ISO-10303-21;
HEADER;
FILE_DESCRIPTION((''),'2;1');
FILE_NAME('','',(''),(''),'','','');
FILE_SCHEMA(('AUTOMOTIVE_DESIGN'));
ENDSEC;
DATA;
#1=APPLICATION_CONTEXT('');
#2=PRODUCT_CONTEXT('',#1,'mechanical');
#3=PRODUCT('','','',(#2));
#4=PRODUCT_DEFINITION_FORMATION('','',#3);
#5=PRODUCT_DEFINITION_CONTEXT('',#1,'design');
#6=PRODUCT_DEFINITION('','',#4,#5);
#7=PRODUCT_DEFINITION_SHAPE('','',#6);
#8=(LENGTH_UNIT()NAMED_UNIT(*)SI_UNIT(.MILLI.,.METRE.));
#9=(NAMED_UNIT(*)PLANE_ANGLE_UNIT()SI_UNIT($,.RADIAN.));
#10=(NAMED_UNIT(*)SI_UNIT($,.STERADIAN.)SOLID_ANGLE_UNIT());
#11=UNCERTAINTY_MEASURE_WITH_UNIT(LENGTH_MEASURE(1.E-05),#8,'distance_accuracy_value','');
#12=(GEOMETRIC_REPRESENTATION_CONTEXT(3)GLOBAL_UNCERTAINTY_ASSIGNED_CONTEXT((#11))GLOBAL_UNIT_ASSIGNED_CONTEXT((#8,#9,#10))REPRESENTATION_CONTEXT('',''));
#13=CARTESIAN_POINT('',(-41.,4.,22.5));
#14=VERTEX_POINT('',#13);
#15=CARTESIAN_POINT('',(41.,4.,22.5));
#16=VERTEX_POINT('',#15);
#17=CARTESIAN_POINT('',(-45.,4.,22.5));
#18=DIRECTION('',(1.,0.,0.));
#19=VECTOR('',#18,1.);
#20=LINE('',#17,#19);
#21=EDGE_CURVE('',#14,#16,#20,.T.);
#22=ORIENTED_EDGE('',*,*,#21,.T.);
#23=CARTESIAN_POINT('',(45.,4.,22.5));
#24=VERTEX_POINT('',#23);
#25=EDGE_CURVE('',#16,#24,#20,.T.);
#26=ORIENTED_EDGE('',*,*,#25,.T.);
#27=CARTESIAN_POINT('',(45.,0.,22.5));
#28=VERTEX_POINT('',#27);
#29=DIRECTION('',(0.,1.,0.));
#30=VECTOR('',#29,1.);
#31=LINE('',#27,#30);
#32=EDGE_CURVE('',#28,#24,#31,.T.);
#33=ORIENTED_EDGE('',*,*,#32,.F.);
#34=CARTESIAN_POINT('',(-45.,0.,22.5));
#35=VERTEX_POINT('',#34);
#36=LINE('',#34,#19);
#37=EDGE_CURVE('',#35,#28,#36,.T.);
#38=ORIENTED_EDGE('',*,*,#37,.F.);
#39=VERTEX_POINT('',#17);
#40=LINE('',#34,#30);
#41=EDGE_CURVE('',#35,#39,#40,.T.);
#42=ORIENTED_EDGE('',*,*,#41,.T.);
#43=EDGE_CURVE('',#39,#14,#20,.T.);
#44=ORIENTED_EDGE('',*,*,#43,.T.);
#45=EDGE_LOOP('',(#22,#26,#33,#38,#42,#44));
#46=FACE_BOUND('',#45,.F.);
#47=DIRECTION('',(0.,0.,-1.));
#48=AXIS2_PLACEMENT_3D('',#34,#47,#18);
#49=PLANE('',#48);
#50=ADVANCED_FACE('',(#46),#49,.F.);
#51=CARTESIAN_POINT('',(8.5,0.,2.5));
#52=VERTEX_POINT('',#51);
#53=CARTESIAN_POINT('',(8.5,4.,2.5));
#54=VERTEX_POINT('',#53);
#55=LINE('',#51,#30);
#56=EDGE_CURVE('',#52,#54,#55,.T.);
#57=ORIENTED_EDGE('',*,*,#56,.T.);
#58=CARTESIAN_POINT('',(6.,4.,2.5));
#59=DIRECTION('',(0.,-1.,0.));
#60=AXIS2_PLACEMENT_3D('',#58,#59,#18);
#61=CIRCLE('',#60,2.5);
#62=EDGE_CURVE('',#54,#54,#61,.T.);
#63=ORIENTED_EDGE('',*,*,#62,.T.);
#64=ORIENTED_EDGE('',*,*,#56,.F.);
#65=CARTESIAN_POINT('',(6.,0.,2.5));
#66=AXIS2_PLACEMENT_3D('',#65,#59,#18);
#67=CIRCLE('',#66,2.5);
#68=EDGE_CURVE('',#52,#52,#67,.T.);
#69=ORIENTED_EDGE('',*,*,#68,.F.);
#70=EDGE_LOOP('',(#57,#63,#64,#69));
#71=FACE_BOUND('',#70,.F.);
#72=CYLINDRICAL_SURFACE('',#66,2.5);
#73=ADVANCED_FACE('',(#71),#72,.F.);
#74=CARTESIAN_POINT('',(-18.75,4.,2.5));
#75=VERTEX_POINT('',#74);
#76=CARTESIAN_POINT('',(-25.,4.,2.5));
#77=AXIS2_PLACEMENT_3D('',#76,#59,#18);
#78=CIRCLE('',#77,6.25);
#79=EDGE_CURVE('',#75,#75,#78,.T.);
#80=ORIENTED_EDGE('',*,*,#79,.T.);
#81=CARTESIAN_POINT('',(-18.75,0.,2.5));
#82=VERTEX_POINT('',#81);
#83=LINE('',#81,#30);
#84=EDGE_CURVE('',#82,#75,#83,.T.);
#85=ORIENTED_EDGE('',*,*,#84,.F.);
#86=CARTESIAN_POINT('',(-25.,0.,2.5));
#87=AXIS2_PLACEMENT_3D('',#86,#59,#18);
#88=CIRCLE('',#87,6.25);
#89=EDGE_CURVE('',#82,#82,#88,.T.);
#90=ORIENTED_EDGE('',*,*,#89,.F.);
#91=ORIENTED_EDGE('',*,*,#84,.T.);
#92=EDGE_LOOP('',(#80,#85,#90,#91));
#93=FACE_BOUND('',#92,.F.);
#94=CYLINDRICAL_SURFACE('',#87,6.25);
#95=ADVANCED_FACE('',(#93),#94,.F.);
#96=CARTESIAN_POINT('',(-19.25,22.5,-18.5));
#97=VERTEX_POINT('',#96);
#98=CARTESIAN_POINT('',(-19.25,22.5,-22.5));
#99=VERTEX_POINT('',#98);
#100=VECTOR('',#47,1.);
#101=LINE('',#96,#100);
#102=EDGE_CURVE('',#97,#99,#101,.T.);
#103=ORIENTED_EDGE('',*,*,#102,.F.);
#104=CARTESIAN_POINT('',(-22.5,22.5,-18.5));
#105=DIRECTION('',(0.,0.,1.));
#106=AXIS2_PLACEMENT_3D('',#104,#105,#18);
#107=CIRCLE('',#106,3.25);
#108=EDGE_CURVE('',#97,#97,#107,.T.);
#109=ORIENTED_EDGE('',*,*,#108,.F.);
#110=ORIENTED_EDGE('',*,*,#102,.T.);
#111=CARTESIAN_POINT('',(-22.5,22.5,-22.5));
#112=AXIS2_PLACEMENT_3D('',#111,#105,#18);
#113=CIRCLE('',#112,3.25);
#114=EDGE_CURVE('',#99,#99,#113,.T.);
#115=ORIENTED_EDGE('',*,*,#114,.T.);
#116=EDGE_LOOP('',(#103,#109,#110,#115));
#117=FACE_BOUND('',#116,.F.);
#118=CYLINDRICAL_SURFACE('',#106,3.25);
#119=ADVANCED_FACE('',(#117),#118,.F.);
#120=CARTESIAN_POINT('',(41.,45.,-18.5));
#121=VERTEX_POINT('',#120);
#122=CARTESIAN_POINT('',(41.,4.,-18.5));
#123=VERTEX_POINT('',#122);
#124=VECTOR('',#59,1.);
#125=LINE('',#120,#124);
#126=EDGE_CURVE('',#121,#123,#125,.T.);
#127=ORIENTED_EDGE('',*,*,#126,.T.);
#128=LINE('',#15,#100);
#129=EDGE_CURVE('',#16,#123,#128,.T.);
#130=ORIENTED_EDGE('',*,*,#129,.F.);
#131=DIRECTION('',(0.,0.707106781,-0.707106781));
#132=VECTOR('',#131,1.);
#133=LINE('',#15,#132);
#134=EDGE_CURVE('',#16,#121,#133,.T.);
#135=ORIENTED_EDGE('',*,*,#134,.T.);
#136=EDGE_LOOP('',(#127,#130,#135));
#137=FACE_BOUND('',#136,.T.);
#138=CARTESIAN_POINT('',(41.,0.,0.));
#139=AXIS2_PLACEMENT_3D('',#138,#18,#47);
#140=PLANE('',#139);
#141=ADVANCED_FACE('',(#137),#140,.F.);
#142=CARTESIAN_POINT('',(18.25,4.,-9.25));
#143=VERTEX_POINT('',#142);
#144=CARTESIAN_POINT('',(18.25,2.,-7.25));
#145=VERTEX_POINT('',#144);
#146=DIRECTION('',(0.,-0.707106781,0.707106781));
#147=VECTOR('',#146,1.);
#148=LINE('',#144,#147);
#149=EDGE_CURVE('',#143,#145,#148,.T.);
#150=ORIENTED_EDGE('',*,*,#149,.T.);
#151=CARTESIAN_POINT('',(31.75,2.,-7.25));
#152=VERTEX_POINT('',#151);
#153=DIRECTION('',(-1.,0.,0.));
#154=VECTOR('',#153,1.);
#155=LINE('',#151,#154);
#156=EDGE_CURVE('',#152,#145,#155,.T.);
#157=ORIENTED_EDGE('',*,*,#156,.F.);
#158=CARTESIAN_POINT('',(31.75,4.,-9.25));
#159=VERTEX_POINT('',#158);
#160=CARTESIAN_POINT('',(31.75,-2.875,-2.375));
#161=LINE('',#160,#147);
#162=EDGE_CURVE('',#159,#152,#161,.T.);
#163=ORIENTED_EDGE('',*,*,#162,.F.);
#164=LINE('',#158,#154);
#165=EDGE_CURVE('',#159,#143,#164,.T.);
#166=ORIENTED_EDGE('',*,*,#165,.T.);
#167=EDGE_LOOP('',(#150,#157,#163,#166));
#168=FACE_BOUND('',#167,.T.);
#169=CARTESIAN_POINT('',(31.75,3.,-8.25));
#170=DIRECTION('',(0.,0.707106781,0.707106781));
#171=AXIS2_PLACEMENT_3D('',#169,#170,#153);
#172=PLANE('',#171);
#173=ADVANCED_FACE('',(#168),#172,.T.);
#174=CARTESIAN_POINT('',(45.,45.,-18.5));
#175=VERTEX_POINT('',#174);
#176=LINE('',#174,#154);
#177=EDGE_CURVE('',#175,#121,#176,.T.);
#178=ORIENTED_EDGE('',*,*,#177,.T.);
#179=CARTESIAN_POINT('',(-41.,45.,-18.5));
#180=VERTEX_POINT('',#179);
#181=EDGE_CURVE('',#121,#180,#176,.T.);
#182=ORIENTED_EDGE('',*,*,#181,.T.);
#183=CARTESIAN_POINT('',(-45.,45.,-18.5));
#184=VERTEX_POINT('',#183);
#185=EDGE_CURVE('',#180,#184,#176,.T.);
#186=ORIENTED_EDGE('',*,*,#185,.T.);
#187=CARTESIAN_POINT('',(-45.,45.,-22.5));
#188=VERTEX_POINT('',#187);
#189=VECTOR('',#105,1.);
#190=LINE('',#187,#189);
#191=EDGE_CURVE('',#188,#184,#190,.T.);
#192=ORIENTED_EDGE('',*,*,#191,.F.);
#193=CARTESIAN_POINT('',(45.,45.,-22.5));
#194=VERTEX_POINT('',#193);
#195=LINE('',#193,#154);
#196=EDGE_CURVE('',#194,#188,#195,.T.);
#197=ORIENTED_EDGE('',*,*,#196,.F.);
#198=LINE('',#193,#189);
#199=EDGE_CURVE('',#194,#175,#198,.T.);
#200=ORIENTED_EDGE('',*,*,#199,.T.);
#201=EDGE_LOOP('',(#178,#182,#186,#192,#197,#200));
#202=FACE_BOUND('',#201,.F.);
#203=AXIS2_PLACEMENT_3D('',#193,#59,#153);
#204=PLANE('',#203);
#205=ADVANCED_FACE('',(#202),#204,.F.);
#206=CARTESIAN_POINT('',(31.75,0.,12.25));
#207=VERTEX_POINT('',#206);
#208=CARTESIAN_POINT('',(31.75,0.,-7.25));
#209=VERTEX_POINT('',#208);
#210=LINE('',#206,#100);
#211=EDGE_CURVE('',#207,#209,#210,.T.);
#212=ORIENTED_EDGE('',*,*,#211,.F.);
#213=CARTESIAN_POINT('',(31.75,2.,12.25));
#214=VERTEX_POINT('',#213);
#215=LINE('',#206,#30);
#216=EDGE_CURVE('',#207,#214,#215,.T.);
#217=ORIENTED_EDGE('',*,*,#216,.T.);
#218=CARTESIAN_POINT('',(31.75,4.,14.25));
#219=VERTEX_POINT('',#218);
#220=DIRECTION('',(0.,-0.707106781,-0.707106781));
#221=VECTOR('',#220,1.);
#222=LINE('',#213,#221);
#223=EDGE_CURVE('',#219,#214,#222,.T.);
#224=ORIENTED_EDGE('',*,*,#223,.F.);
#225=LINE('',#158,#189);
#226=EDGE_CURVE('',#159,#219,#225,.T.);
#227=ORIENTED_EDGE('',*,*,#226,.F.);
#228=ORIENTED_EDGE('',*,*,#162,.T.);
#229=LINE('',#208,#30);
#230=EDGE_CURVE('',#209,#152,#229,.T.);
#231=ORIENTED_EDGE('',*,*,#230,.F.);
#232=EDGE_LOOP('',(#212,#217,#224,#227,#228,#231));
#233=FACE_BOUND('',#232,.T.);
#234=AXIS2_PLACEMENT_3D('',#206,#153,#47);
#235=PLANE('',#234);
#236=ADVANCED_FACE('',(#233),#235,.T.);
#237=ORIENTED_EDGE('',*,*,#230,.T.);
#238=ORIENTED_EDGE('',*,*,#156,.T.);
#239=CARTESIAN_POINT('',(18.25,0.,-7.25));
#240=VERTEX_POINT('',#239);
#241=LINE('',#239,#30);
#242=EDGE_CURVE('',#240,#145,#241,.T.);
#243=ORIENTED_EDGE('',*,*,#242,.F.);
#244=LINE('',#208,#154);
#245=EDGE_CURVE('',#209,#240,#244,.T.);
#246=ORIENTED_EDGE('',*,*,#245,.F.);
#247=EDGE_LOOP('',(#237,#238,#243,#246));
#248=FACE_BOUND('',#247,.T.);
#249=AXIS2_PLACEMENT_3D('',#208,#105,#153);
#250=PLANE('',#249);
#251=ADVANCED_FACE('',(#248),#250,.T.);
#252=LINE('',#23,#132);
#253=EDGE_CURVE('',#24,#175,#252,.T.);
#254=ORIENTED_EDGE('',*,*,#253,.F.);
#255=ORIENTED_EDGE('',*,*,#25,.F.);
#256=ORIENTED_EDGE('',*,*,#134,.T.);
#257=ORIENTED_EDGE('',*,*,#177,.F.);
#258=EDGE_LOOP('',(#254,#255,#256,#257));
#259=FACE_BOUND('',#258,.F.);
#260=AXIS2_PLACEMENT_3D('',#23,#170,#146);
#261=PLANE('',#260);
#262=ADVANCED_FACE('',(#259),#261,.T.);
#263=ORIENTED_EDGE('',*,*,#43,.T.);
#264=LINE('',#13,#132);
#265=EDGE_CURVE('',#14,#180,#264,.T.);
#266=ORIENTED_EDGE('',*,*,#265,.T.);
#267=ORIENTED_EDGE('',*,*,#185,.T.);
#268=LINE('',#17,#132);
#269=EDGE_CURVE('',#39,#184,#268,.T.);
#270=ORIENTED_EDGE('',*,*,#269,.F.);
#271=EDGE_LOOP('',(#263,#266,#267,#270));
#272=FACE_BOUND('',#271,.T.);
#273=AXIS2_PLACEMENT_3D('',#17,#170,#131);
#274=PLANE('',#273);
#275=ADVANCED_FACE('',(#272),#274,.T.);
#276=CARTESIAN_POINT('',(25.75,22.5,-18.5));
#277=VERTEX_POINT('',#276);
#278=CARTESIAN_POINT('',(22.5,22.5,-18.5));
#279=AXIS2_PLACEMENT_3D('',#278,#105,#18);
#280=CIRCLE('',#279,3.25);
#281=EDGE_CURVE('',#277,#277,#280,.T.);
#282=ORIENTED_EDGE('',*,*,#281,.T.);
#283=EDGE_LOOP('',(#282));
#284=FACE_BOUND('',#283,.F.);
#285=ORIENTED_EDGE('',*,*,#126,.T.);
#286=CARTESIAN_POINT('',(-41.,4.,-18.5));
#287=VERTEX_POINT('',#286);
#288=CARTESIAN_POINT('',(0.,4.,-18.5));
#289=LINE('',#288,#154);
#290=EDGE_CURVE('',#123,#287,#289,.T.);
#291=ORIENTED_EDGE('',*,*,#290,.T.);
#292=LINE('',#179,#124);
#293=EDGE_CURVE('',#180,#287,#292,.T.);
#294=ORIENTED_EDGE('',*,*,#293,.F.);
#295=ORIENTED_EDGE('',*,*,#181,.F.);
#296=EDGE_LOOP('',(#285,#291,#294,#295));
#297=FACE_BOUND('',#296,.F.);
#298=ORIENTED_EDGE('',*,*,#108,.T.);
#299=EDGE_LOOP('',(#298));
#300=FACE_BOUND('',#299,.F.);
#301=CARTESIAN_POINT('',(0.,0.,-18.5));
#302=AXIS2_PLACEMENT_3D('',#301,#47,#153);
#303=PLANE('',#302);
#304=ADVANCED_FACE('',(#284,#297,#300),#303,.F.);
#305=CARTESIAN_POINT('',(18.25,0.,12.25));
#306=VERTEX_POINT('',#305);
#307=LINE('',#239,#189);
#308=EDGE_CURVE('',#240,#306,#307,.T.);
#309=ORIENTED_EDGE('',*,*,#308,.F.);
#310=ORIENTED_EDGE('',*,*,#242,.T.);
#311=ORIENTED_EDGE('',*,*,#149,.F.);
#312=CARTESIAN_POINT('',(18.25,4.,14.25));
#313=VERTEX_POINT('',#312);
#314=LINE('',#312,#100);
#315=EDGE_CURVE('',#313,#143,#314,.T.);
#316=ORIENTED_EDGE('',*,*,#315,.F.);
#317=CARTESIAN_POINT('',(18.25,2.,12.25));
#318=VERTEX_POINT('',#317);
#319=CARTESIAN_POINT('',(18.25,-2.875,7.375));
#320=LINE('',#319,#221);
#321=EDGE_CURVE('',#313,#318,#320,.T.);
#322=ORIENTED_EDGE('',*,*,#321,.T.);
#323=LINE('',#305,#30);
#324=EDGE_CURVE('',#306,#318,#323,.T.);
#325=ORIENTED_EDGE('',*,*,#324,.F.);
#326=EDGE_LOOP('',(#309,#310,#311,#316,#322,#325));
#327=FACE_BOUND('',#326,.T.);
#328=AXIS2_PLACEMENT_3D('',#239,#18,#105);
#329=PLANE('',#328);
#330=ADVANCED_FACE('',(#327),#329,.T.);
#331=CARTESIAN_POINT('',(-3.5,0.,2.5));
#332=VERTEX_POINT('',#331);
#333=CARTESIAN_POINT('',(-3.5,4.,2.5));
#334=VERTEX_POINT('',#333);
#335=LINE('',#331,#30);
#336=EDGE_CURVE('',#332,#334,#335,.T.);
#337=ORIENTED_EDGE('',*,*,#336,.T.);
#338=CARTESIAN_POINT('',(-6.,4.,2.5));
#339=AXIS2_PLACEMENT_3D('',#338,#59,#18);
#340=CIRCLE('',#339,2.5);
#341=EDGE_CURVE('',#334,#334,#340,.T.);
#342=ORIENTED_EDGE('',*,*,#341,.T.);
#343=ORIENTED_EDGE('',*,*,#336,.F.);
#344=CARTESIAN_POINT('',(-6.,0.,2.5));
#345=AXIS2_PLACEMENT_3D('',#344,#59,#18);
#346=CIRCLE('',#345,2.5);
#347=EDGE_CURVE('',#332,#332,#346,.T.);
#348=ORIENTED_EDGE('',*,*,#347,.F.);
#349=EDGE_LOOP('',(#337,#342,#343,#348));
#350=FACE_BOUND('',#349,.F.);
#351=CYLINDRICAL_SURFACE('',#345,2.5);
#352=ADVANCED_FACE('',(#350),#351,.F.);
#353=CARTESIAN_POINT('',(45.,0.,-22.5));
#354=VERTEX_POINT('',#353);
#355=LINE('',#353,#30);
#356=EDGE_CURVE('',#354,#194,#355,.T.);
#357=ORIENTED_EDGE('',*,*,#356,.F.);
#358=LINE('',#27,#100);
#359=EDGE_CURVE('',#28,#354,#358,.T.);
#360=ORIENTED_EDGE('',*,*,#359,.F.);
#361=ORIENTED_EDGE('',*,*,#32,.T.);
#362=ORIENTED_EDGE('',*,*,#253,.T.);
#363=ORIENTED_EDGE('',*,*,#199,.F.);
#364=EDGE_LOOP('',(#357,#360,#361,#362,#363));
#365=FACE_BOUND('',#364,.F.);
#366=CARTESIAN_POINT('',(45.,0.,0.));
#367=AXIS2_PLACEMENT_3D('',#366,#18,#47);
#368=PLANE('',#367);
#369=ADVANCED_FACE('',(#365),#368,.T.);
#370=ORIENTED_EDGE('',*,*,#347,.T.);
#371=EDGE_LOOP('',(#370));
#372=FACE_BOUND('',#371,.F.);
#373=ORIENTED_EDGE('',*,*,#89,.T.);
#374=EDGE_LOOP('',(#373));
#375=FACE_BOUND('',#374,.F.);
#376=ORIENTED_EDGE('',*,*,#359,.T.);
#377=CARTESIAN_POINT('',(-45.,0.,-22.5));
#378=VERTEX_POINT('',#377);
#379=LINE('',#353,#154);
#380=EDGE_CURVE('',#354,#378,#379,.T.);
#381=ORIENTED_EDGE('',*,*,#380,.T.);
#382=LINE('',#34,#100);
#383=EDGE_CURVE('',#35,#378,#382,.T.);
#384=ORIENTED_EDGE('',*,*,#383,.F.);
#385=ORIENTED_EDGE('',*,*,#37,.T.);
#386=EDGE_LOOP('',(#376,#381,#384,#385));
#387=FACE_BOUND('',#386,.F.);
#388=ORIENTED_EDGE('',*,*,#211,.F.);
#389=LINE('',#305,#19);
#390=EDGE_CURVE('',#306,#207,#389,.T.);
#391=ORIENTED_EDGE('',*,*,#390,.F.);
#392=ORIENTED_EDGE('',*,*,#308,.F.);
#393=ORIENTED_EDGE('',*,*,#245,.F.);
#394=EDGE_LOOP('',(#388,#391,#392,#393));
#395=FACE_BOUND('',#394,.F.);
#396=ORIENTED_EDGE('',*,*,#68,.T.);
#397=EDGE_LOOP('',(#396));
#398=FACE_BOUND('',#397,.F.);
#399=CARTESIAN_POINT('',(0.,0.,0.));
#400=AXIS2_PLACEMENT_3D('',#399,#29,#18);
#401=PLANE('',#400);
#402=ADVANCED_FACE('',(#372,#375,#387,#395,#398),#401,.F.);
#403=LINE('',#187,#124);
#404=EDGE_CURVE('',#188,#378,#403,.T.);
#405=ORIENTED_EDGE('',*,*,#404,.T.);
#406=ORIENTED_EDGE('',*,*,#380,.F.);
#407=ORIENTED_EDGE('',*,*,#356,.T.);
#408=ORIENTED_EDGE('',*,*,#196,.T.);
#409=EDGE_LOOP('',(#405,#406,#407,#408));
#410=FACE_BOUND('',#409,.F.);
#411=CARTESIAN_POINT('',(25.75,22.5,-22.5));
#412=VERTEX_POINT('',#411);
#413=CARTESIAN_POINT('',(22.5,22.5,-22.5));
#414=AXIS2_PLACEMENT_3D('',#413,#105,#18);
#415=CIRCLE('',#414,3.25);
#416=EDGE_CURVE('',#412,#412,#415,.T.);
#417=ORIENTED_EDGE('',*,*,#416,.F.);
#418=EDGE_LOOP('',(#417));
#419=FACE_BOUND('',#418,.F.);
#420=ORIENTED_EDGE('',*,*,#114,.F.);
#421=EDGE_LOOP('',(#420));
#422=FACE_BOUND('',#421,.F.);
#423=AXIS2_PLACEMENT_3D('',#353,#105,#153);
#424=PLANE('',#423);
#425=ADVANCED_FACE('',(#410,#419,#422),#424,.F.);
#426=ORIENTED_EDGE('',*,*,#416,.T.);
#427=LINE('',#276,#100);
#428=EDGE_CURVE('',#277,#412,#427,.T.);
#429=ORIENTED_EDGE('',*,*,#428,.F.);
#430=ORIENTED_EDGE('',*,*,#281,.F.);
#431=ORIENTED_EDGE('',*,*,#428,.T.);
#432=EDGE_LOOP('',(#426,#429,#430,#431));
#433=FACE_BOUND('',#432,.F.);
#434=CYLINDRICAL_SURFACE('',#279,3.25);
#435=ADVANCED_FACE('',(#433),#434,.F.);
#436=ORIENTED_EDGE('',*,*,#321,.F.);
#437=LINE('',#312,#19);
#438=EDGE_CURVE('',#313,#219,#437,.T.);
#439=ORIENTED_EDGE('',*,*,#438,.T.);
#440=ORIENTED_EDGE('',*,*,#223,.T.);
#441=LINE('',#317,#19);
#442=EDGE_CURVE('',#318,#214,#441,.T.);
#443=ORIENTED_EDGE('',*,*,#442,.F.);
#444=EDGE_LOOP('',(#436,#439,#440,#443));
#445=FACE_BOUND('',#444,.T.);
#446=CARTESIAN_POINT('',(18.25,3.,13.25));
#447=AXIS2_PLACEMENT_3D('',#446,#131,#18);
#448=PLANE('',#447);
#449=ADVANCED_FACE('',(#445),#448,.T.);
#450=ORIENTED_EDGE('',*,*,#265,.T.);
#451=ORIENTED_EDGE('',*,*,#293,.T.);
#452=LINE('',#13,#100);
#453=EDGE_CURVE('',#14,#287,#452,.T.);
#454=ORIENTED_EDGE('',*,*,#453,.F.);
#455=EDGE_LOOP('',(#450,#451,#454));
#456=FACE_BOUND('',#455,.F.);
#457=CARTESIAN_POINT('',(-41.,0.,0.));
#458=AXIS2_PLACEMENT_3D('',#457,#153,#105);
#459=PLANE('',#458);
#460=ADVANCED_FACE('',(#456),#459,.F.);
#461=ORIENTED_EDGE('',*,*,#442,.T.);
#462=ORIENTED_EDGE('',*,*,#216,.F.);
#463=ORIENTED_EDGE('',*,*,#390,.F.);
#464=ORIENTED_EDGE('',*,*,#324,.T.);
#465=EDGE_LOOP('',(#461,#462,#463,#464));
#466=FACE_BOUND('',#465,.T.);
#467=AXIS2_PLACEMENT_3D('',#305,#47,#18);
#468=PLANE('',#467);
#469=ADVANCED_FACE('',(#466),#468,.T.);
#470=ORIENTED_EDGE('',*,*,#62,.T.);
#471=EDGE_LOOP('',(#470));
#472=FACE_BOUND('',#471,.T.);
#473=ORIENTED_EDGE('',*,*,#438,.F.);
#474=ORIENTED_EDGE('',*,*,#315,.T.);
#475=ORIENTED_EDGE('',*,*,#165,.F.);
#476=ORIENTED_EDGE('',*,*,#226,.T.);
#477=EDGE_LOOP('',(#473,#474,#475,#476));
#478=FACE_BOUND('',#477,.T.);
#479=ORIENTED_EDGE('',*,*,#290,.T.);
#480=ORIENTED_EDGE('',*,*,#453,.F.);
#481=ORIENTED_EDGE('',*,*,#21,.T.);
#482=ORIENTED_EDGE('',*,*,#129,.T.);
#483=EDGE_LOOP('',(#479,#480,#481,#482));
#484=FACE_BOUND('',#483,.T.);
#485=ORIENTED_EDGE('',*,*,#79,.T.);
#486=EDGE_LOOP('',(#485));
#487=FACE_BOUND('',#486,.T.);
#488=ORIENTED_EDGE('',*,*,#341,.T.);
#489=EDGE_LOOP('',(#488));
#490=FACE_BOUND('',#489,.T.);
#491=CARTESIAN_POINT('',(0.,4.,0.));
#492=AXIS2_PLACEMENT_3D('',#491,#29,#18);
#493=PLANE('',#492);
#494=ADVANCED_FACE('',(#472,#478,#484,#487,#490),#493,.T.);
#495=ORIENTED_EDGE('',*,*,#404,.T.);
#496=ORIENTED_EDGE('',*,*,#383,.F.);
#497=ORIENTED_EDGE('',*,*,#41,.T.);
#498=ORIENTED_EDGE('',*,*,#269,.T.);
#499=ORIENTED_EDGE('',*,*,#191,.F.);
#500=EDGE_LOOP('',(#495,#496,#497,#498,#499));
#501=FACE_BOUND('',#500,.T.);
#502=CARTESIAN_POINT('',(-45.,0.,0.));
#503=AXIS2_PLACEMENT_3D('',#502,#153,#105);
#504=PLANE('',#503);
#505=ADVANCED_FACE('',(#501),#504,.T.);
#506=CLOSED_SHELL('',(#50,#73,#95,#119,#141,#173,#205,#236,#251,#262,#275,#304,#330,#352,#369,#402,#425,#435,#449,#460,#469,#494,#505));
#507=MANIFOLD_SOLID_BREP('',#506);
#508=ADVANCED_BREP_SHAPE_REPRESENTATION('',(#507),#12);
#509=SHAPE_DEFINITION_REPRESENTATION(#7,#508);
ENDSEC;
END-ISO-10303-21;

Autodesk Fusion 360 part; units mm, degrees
sketch "Sketch1" plane through (0, 0, 0) normal (0, 1, 0) x (1, 0, 0)
  line L0 (45, 22.5) -> (-45, 22.5)
  line L1 (-45, 22.5) -> (-45, -22.5)
  line L2 (-45, -22.5) -> (45, -22.5)
  line L3 (45, -22.5) -> (45, 22.5)
  line L4 (45, 22.5) -> (-45, -22.5) construction
  line L5 (-45, 22.5) -> (45, -22.5) construction
  dimension "d1" = 45
  dimension "d2" = 90
extrude "Extrude1" add sketch "Sketch1" along normal blind 4
sketch "Sketch2" plane through (0, 0, -22.5) normal (0, 0, -1) x (-1, 0, 0)
  line L0 (45, 0) -> (-45, 0)
  line L1 (-45, 0) -> (-45, 45)
  line L2 (-45, 45) -> (45, 45)
  line L3 (45, 45) -> (45, 0)
  point P0 (-45, 0)
  point P1 (45, 0)
  dimension "d12" = 45
extrude "Extrude4" add sketch "Sketch2" against normal blind 4
sketch "Sketch3" plane through (-45, 0, 0) normal (-1, 0, 0) x (0, 0, 1)
  line L0 (-22.5, 0) -> (22.5, 0)
  line L1 (22.5, 0) -> (22.5, 4)
  line L2 (22.5, 4) -> (-18.5, 4)
  line L3 (-22.5, 45) -> (-22.5, 0)
  line L4 (-18.5, 45) -> (-18.5, 4)
  line L5 (22.5, 4) -> (-18.5, 45)
  line L6 (-18.5, 4) -> (-18.5, 45)
  line L7 (-18.5, 45) -> (-22.5, 45)
extrude "Extrude3" add sketch "Sketch3" against normal blind 4 contours L2 L4 L5 L6
mirror "Mirror1" about plane through (0, 0, 0) normal (1, 0, 0) of "Extrude3"
sketch "Sketch4" plane through (0, 0, -18.5) normal (0, 0, 1) x (1, 0, 0)
  line L0 (41, 4) -> (41, 45)
  line L1 (41, 45) -> (-41, 45)
  line L2 (-41, 45) -> (-41, 4)
  line L3 (-41, 4) -> (41, 4)
  circle A0 centre (-22.5, 22.5) radius 3.25
  line L4 (-22.5, 22.5) -> (-16, 22.5) construction
  line L5 (45, 45) -> (-45, 45)
  line L6 (-45, 0) -> (45, 0)
  line L7 (0, 0) -> (0, 21) construction
  circle A1 centre (22.5, 22.5) radius 3.25
  dimension "d15" = 6.5
  dimension "d16" = 45
extrude "Extrude5" cut sketch "Sketch4" against normal through all contours A0 | A1
sketch "Sketch5" plane through (0, 0, 0) normal (0, -1, 0) x (1, 0, 0)
  line L0 (45, -22.5) -> (45, 22.5)
  line L1 (45, 22.5) -> (-45, 22.5)
  line L2 (-45, 22.5) -> (-45, -22.5)
  line L3 (-45, -22.5) -> (45, -22.5)
  circle A0 centre (-25, 2.5) radius 6.25
  line L4 (18.25, 12.25) -> (31.75, 12.25)
  line L5 (31.75, 12.25) -> (31.75, -7.25)
  line L6 (31.75, -7.25) -> (18.25, -7.25)
  line L7 (18.25, -7.25) -> (18.25, 12.25)
  line L8 (-25, 2.5) -> (31.5002, 2.5) construction
  line L9 (-45, -22.5) -> (45, -22.5)
  line L10 (25, -13) -> (25, 19) construction
  line L11 (-25, 2.5) -> (-25, -11) construction
  line L12 (0, 0) -> (0, -11) construction
  circle A1 centre (-6, 2.5) radius 2.5
  circle A2 centre (6, 2.5) radius 2.5
  dimension "d18" = 12.5
  dimension "d19" = 19.5
  dimension "d20" = 13.5
  dimension "d21" = 25
  dimension "d22" = 50
  dimension "d26" = 5
  dimension "d27" = 12
extrude "Extrude6" cut sketch "Sketch5" against normal blind 4 contours A0 | L4 L5 L6 L7 | A1 | A2
chamfer "Chamfer1" distance 2 angle 45 2 edges at (25, 4, -7.25) (25, 4, 12.25)
